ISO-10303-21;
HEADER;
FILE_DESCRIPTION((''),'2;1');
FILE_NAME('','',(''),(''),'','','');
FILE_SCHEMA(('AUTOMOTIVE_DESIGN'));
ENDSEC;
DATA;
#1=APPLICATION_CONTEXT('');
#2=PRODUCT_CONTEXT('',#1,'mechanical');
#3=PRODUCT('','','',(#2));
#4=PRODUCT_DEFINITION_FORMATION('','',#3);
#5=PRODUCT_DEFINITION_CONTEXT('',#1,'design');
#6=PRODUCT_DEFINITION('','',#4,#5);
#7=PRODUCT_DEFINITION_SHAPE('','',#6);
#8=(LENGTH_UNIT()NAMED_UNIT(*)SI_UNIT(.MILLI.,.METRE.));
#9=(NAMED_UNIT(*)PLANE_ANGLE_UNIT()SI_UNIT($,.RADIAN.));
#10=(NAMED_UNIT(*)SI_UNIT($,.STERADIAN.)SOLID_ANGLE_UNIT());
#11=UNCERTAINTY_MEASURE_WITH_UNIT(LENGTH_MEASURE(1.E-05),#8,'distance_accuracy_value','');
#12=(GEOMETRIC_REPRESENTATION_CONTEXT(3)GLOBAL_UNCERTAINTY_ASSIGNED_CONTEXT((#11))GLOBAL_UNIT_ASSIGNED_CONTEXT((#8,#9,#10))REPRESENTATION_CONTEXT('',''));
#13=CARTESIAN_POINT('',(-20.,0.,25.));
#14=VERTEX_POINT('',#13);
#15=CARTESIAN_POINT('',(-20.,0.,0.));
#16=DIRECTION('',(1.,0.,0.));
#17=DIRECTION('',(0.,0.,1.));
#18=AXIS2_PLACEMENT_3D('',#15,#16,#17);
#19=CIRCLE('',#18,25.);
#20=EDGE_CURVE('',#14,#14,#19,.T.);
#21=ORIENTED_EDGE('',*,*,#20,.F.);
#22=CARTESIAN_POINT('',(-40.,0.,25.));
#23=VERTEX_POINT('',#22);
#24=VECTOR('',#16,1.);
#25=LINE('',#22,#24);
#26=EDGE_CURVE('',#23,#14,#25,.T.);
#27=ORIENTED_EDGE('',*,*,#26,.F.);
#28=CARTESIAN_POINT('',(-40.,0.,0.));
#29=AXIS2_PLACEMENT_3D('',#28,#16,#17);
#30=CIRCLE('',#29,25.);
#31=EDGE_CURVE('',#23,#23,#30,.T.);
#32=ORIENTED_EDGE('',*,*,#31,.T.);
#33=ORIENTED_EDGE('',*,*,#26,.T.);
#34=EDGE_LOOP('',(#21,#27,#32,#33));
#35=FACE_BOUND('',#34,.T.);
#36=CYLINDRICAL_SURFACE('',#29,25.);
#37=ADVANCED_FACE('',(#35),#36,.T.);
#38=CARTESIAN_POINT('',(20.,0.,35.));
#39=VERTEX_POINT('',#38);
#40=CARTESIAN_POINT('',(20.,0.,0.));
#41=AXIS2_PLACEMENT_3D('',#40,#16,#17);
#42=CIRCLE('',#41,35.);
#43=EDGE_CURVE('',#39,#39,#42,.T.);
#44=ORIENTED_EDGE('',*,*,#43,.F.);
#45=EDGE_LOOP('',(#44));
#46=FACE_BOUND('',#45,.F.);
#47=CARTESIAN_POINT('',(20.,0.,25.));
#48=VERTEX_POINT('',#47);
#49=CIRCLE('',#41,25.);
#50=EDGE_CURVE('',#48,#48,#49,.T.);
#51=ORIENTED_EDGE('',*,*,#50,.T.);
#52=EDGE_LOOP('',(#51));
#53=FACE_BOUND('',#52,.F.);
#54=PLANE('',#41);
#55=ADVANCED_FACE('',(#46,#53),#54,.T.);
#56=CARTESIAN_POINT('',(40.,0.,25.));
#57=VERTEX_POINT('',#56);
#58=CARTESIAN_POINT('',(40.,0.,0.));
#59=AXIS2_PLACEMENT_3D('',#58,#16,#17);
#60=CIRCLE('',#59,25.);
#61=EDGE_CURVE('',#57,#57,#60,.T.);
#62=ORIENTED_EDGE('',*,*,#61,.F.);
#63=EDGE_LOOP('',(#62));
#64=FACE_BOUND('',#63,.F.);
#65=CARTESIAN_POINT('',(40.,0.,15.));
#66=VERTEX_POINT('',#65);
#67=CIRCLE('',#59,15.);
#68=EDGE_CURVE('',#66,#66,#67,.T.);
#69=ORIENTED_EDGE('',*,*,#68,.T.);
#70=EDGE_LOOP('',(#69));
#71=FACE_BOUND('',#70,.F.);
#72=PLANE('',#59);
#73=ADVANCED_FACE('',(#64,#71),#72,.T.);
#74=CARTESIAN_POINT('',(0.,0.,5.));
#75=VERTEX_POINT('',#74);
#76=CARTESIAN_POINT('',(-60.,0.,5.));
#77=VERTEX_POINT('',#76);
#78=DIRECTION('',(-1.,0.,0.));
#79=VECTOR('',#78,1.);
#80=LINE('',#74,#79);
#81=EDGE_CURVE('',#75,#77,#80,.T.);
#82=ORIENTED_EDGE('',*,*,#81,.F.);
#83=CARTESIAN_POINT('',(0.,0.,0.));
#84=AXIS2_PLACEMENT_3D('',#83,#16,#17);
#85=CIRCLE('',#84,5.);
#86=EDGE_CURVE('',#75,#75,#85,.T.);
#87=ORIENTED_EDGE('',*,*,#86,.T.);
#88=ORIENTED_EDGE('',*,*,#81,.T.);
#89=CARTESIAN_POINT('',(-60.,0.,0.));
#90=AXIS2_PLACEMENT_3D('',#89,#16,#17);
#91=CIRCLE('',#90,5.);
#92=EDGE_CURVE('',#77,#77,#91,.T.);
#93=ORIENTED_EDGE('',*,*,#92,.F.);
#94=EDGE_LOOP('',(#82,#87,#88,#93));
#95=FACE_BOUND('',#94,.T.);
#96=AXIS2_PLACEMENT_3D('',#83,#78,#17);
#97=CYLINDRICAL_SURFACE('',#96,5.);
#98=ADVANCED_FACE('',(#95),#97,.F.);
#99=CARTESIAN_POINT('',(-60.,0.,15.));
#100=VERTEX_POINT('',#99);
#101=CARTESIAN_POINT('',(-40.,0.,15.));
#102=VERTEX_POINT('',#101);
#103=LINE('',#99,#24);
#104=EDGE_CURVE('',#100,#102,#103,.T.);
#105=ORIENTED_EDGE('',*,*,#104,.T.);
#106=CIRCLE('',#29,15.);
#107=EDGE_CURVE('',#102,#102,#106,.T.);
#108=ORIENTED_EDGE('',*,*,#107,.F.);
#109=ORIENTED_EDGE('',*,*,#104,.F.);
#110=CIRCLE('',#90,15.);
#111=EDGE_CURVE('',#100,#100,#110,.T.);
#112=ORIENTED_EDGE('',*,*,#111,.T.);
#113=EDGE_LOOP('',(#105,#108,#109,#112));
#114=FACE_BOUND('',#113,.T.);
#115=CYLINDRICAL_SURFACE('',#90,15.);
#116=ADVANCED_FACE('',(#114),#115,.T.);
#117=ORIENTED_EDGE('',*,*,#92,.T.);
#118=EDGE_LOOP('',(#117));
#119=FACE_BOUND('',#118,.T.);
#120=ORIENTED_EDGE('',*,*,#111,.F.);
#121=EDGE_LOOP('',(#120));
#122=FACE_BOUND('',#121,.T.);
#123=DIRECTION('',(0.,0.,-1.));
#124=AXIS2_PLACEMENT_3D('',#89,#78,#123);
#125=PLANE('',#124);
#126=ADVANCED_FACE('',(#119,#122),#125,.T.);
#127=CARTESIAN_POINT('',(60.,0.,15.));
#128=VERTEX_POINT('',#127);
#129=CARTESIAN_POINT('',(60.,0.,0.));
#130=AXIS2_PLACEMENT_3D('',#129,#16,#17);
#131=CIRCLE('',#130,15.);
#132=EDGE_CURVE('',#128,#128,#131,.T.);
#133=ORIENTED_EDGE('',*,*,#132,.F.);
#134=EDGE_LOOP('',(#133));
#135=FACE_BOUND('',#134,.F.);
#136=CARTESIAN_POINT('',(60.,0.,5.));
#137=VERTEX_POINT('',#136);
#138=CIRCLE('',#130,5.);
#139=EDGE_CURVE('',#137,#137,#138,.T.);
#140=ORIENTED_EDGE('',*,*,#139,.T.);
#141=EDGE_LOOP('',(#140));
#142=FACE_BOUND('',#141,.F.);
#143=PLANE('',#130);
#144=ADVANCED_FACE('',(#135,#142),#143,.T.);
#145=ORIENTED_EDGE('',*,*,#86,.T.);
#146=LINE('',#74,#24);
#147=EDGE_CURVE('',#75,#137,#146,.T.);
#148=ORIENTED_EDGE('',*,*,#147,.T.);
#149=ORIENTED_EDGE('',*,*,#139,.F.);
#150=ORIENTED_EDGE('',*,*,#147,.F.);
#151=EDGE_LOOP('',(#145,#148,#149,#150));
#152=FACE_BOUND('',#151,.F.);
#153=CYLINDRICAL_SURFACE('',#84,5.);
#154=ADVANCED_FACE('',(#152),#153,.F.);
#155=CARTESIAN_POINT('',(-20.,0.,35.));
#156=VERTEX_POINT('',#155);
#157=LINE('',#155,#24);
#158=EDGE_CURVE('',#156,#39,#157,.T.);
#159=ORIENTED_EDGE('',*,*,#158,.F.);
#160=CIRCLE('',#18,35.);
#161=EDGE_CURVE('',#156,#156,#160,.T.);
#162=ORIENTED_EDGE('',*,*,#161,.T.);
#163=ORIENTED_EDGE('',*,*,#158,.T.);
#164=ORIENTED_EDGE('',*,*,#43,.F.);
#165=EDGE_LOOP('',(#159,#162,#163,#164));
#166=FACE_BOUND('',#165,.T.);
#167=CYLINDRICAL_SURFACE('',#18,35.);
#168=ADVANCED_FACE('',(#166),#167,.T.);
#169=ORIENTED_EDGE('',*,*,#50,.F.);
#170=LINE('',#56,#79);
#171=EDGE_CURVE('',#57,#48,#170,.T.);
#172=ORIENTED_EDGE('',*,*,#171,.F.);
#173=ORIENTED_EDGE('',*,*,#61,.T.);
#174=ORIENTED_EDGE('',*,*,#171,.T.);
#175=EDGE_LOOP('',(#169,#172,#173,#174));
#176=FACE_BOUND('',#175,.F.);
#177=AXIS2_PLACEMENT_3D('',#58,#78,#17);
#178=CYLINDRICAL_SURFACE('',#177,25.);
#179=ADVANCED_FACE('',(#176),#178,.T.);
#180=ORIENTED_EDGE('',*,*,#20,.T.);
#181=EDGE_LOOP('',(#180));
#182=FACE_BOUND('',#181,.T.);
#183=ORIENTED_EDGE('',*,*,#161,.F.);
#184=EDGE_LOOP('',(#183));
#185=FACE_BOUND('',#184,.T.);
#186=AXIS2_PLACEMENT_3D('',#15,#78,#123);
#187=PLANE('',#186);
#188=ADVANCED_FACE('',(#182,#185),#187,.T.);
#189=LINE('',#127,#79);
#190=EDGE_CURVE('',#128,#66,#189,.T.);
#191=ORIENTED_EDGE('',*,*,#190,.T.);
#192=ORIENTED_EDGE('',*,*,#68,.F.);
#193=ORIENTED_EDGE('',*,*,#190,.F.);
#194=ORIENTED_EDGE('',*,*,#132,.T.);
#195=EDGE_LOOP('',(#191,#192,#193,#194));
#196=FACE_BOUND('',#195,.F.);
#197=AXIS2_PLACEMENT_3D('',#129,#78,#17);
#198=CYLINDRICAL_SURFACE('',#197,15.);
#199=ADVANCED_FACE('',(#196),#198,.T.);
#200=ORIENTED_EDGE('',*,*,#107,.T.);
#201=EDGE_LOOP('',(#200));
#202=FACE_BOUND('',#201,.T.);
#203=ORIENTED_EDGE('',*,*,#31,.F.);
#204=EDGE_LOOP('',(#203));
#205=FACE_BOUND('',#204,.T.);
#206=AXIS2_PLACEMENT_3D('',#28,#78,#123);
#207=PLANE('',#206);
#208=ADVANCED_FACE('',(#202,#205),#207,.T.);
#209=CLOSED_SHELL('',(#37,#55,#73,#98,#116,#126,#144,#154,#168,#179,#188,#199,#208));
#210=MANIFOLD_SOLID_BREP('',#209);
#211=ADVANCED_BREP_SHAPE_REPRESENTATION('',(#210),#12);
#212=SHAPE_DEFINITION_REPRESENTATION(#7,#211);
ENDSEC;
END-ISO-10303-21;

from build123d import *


with BuildPart() as f1:
    # F0 (on Front) → F1 (revolve)
    with BuildSketch(Plane.XZ):
        Polygon((20, 35), (0, 35), (0, 5), (13.305354, 5), (20, 5), (24.382994, 5), (40, 5), (60, 5), (60, 15), (40, 15), (40, 25), (20, 25), align=None)
    revolve(axis=Axis((22.793579, 0, 0), (1, 0, 0)))

    # F2: F1 across plane


with BuildPart() as f1_1:
    add(f1.part)
    add(f1.part.mirror(Plane.YZ))


solid = f1_1.part
